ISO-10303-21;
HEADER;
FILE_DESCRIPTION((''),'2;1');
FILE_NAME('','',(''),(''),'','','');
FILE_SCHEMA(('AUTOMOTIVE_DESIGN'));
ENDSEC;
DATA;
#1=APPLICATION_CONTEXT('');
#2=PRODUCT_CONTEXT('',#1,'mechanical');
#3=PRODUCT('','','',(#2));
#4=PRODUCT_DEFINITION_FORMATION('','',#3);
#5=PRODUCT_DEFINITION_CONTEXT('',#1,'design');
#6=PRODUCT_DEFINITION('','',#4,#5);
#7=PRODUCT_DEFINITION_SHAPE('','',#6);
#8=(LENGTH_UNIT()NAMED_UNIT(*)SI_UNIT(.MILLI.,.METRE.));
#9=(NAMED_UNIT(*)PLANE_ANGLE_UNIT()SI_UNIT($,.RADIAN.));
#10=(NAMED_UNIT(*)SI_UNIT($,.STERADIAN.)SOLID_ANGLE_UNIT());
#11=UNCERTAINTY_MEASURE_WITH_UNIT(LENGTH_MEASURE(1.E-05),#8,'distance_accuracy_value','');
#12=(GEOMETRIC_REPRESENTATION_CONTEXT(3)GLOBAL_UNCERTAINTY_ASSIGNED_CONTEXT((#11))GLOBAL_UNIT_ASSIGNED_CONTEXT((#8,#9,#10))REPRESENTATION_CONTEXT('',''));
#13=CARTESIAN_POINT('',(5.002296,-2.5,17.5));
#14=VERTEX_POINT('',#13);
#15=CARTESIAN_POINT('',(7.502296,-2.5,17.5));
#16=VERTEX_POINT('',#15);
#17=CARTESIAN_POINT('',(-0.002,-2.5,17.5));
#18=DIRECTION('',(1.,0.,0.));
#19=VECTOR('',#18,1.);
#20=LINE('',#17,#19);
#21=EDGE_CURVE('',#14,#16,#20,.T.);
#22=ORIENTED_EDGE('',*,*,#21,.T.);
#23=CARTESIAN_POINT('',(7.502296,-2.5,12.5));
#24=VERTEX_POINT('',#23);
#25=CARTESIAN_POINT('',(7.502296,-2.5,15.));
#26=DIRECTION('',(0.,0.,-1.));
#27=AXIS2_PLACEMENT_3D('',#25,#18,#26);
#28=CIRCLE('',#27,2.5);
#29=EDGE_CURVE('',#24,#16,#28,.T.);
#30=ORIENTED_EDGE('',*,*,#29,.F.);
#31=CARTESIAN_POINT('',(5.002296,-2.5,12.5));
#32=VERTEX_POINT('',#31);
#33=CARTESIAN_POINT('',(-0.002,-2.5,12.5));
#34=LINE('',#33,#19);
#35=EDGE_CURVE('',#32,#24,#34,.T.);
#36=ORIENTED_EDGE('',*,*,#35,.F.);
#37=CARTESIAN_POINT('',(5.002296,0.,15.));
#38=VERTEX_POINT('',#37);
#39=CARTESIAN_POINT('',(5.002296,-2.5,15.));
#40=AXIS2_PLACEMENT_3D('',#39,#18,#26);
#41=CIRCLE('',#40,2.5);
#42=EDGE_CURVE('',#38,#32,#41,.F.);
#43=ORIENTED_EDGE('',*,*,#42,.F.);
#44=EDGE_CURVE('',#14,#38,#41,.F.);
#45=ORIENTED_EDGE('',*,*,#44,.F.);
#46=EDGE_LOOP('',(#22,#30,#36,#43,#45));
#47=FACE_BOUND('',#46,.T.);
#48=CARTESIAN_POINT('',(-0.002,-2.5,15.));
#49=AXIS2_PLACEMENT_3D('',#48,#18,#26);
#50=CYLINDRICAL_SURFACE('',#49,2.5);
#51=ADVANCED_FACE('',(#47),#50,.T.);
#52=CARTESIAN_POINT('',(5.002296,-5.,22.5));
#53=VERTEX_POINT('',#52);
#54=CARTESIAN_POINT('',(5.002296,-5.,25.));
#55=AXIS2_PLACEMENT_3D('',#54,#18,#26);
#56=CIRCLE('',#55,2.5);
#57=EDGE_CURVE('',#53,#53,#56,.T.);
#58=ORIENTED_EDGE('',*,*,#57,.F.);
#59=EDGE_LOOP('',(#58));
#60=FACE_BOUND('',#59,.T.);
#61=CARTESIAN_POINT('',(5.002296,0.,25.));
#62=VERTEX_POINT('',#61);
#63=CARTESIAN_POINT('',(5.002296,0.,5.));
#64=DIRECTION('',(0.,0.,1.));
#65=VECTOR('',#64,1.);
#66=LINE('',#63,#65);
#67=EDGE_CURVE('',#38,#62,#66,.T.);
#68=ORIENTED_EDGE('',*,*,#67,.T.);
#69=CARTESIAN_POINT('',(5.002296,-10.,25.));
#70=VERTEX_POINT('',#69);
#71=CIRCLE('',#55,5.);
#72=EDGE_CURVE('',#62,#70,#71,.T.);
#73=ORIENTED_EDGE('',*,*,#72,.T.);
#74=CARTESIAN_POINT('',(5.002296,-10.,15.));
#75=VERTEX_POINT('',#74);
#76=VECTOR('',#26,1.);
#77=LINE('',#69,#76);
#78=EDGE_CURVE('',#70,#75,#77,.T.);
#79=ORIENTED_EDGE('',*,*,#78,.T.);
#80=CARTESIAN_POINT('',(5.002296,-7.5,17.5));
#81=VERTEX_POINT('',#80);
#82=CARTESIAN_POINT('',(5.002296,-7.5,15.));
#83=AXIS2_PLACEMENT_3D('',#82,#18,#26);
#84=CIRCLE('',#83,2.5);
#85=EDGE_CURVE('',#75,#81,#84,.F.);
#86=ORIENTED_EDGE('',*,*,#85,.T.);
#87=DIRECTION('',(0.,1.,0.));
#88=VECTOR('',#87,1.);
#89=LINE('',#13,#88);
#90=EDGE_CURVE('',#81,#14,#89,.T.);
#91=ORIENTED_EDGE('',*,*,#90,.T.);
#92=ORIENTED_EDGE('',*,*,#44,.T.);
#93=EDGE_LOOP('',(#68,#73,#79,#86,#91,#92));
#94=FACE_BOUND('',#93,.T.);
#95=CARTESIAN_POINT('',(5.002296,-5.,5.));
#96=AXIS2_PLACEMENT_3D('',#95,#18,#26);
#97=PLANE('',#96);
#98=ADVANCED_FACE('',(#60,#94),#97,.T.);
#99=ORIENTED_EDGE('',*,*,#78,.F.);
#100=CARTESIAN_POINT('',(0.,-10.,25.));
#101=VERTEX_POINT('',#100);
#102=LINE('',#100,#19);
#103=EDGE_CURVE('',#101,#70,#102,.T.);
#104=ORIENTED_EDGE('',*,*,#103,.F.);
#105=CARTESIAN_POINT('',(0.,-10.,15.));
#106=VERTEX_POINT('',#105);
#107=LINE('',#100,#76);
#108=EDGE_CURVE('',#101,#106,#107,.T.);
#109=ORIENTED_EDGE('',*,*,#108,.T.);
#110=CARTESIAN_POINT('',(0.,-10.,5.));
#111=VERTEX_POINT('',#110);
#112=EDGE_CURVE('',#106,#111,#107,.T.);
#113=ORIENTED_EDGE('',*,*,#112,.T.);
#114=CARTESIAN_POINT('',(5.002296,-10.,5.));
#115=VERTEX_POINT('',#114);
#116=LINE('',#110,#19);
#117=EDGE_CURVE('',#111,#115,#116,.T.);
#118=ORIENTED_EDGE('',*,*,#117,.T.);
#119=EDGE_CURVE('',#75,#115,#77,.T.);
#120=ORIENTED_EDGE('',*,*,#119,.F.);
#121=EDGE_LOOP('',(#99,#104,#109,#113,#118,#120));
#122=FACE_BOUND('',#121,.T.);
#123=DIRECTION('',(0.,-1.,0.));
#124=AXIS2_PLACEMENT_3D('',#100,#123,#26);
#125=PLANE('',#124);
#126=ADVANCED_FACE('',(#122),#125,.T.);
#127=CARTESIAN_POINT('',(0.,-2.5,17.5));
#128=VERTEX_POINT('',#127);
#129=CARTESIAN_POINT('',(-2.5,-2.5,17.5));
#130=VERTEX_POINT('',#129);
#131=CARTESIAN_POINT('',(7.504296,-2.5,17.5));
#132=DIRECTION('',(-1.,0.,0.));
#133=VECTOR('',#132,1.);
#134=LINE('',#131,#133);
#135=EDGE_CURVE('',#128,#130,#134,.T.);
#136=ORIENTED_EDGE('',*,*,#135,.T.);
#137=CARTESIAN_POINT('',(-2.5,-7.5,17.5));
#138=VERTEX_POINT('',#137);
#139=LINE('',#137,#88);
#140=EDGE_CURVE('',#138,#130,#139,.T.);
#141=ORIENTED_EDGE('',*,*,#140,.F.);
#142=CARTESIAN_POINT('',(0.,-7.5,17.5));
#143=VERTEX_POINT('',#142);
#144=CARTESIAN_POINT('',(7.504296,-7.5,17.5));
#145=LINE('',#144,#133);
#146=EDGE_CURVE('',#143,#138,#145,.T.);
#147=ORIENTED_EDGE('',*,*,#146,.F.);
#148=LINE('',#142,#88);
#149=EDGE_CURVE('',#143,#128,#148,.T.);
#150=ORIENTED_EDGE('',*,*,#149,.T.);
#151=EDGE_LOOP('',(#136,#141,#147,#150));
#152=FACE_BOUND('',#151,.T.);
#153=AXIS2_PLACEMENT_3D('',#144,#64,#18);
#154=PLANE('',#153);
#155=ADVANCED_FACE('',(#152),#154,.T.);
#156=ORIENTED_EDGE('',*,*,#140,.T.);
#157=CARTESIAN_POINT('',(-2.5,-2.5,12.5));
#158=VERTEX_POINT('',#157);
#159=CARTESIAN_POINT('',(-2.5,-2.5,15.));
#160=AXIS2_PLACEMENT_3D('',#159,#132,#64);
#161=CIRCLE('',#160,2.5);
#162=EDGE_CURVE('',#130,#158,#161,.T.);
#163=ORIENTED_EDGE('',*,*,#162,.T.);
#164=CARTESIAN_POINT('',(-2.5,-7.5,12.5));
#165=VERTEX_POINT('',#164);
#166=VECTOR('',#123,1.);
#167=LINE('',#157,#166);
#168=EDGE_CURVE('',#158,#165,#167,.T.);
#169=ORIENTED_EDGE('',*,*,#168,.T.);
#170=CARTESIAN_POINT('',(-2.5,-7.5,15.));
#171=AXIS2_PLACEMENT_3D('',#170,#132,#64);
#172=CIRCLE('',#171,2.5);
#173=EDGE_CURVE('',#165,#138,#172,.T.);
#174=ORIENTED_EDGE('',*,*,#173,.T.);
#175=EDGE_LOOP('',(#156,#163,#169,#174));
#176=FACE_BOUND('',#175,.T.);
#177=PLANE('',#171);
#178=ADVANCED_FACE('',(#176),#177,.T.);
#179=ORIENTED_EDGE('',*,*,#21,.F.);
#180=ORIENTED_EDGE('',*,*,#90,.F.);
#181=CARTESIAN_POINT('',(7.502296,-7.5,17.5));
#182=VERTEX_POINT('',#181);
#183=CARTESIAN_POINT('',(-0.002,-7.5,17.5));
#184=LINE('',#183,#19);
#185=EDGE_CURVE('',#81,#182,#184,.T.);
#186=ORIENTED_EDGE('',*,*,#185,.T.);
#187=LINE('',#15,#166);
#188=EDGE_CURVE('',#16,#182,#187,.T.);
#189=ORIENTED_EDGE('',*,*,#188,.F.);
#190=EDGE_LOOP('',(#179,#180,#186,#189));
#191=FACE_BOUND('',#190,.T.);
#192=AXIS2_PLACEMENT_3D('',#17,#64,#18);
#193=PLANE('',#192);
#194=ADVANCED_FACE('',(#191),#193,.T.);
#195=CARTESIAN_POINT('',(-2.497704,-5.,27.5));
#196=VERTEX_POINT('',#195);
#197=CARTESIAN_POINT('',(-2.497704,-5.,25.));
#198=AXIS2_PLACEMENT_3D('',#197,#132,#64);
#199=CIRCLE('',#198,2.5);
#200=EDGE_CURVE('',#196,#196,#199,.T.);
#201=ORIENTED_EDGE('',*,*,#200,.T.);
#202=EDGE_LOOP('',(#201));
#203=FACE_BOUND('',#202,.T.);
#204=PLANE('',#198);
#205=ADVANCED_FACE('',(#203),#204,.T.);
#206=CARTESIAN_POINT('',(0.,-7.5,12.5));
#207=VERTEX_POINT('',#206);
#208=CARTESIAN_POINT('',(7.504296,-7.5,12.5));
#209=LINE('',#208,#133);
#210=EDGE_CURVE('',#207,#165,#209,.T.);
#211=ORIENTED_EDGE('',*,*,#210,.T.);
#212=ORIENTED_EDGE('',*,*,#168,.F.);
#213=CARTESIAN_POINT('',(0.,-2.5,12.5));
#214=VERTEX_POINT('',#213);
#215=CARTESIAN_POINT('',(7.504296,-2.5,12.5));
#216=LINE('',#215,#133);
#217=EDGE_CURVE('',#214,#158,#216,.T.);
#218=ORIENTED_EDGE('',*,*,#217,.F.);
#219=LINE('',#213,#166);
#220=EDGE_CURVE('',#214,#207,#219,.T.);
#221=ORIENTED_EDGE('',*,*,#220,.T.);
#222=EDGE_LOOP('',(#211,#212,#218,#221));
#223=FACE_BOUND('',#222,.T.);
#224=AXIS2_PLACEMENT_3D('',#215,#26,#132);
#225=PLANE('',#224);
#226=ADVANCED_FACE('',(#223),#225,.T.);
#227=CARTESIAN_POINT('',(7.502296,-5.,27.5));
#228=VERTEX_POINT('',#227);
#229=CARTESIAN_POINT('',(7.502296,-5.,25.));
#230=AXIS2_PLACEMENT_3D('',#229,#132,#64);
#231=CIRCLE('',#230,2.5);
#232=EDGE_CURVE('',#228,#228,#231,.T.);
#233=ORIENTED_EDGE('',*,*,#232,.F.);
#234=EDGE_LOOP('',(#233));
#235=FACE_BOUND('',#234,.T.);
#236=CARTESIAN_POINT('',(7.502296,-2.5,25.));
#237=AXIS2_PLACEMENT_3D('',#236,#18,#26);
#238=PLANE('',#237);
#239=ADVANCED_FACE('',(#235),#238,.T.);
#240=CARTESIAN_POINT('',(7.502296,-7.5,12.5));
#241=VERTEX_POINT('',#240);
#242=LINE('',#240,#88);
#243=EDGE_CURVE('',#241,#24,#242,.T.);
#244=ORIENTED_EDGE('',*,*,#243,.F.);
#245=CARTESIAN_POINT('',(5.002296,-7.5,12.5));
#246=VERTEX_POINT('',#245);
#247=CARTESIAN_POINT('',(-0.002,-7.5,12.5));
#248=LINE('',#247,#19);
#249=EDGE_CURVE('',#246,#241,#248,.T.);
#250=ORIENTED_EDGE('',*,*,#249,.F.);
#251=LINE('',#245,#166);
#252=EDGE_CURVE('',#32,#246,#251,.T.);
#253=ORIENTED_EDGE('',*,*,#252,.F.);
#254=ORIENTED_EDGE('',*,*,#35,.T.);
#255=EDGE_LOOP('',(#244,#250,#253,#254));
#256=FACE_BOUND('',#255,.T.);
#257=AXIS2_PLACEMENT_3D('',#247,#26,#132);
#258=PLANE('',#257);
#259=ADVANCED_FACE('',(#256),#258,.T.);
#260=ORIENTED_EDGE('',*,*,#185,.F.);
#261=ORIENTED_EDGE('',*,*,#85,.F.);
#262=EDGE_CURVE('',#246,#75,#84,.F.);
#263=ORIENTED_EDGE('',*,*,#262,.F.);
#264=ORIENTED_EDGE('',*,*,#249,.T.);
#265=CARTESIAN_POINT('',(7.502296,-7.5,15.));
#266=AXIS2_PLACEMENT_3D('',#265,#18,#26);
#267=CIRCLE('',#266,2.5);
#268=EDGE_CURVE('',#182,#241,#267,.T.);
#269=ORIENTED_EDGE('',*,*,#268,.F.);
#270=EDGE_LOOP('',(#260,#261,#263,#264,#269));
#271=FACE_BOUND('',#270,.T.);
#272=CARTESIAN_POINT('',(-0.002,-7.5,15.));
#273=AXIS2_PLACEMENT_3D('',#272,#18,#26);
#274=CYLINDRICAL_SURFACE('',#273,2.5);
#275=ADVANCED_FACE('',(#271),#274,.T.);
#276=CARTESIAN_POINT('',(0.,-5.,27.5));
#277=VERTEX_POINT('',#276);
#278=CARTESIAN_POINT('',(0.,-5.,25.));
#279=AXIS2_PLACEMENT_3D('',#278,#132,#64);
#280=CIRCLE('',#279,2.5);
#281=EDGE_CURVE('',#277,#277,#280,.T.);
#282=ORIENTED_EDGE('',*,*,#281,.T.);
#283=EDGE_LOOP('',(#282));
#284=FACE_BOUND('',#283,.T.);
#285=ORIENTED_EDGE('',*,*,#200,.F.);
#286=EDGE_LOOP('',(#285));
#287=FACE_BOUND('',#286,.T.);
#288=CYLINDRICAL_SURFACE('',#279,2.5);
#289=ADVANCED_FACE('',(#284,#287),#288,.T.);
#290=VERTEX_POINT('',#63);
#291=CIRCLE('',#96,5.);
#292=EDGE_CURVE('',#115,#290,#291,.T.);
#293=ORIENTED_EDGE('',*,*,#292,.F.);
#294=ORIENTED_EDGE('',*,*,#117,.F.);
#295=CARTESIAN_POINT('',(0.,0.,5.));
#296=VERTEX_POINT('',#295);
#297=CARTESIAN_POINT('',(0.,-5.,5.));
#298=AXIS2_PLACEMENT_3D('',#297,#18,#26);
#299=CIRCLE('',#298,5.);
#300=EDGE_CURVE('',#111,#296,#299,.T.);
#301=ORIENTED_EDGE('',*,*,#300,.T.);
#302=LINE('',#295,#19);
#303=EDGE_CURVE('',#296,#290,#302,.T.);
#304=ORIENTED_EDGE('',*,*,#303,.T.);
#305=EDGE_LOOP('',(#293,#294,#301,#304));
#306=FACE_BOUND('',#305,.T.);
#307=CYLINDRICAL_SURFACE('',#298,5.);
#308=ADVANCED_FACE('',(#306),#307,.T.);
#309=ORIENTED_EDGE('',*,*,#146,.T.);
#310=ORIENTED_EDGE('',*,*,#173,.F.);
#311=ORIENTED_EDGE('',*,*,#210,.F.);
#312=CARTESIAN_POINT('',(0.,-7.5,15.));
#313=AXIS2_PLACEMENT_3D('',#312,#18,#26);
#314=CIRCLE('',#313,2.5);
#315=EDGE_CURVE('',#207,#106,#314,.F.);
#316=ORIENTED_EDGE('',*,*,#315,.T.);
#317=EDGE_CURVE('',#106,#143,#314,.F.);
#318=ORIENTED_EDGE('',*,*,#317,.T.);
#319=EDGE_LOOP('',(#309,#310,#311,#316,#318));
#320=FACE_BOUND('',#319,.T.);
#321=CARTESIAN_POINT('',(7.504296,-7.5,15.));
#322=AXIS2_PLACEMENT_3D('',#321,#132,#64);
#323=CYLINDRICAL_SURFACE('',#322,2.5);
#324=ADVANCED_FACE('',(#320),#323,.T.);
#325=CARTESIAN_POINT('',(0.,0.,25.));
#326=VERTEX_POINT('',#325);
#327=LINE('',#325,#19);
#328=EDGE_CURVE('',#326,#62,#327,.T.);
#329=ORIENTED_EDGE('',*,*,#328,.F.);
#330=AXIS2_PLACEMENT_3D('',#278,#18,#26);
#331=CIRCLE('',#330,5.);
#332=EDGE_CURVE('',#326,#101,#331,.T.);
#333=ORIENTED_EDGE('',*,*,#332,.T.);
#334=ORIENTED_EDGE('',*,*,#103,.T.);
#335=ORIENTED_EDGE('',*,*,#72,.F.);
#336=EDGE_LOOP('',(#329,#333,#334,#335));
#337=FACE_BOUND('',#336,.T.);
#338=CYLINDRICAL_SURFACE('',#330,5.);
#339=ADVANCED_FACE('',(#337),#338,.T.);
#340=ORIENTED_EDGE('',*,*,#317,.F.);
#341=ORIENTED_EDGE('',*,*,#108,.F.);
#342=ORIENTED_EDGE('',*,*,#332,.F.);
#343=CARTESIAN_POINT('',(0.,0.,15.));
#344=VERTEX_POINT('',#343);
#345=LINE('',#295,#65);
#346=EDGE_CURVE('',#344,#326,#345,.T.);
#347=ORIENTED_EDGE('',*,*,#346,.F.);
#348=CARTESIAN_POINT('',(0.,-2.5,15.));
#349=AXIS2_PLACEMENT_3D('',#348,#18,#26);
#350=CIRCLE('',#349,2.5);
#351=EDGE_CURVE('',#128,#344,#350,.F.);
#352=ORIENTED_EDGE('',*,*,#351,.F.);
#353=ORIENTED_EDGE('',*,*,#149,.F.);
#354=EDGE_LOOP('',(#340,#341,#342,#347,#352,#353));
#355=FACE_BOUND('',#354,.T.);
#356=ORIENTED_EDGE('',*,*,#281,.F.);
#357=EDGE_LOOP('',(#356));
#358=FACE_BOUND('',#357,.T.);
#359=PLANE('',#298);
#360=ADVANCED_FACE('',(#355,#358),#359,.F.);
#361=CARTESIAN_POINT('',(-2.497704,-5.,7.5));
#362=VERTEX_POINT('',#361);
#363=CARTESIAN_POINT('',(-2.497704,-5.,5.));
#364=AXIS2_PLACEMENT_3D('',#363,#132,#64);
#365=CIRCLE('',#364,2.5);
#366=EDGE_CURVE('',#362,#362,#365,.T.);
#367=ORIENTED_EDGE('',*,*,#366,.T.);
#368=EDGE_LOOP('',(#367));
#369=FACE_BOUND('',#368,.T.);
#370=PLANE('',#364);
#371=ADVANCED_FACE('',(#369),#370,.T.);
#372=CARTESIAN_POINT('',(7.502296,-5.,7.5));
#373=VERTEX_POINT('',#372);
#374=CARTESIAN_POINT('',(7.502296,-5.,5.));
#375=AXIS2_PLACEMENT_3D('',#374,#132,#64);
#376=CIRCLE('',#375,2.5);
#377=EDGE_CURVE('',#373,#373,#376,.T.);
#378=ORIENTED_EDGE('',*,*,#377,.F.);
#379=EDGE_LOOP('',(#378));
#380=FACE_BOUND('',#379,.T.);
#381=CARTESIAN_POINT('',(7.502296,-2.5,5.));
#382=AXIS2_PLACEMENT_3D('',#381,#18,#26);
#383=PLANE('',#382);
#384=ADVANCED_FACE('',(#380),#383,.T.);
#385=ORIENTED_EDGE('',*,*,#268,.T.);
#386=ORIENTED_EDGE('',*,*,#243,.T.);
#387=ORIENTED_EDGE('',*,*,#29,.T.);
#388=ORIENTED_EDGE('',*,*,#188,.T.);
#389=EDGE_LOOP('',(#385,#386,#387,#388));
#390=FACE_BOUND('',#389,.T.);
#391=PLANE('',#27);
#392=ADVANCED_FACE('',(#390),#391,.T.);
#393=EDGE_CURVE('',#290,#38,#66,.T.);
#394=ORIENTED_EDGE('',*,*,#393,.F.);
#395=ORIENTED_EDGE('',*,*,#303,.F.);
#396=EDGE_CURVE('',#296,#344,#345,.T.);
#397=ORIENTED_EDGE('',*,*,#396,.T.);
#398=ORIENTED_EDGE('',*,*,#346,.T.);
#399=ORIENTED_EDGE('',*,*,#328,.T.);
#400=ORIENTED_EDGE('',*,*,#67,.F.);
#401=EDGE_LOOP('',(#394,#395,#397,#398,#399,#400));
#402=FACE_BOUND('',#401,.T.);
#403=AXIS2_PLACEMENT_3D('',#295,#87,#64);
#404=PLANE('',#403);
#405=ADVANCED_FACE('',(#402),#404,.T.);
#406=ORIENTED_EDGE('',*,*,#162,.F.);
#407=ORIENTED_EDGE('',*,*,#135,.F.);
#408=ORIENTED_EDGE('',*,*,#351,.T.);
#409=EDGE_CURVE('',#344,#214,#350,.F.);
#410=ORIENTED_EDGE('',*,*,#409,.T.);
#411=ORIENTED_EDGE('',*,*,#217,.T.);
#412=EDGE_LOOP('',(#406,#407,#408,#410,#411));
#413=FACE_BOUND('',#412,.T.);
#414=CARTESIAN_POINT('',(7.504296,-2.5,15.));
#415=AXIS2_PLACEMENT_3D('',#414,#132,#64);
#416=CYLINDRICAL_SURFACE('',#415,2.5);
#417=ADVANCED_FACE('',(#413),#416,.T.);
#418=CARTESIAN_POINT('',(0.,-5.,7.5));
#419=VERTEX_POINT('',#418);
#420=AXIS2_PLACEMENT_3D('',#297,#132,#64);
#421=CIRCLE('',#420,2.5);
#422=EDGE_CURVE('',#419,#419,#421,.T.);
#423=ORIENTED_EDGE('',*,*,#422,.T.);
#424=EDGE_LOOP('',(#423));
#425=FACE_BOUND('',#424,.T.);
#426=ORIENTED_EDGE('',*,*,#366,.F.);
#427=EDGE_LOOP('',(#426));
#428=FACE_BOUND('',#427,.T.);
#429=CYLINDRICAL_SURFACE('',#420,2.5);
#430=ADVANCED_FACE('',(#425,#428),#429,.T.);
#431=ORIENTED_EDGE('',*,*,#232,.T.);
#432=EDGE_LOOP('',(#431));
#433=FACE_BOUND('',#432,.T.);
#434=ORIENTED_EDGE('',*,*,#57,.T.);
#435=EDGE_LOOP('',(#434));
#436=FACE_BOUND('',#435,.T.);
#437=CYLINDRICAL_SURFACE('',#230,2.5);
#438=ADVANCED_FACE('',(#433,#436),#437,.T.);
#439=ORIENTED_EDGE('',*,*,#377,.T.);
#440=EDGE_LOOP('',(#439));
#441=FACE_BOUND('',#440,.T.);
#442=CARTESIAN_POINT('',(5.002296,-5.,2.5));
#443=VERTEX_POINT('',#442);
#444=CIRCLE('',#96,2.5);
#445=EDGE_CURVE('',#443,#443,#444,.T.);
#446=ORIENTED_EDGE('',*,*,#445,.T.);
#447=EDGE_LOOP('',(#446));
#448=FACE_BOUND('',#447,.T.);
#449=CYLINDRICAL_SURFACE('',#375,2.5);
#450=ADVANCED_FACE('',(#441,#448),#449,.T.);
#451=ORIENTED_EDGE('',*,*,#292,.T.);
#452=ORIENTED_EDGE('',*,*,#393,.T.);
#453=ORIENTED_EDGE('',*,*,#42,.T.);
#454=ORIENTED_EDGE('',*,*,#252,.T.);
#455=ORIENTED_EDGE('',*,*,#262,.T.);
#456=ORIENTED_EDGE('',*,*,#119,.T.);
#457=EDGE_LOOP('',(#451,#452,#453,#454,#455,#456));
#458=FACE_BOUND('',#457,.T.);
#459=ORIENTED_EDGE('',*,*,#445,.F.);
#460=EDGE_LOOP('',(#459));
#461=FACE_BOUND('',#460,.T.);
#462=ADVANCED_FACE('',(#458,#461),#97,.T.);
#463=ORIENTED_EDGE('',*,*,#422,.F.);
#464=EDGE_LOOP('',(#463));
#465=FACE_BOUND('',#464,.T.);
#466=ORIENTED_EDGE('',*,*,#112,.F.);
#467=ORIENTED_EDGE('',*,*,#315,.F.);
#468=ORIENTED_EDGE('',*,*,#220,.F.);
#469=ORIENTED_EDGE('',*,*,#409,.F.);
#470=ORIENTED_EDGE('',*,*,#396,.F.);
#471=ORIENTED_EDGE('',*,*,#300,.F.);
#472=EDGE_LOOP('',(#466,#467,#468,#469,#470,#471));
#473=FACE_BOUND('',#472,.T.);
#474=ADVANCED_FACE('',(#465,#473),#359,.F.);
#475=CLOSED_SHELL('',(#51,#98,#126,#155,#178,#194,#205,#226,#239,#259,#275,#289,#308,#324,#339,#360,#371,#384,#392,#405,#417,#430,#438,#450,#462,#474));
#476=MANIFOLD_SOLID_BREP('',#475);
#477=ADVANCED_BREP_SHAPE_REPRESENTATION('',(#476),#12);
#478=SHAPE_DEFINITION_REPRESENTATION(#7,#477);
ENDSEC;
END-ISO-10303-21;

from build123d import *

# Parameters (mm, degrees)
BOSS_EXTRUDE1_DEPTH = 5.002296298
BOSS_EXTRUDE2_REACH = 34.501
BOSS_EXTRUDE3_REACH = 35.167
SKETCH4_W           = 2.497703702
SKETCH4_H           = 2.5
SKETCH5_W           = 2.5
SKETCH5_H           = 2.5
SKETCH6_W           = 2.5
SKETCH6_H           = 2.5
SKETCH7_W           = 2.497703702
SKETCH7_H           = 2.5


with BuildPart() as part:
    # Sketch1 → Boss-Extrude1 (new body)
    with BuildSketch(Plane(origin=(5.002296298, 0, 0), x_dir=(0, 0, -1), z_dir=(1, 0, 0))):
        with BuildLine():
            Line((-5, 0), (-25, 0))
            ThreePointArc((-25, 0), (-30, -5), (-25, -10))
            Line((-25, -10), (-5, -10))
            ThreePointArc((-5, -10), (0, -5), (-5, 0))
        make_face()
    extrude(amount=-BOSS_EXTRUDE1_DEPTH)

    # Sketch2 → Boss-Extrude2 (add, up to next)
    with BuildSketch(Plane(origin=(7.502296298, 0, 0), x_dir=(0, 0, -1), z_dir=(1, 0, 0)), mode=Mode.PRIVATE) as boss_extrude2_sk1:
        with BuildLine():
            Line((-17.5, -2.5), (-17.5, -7.5))
            ThreePointArc((-17.5, -7.5), (-15, -10), (-12.5, -7.5))
            Line((-12.5, -7.5), (-12.5, -2.5))
            ThreePointArc((-12.5, -2.5), (-15, 0), (-17.5, -2.5))
        make_face()
    boss_extrude2_tool1 = extrude(boss_extrude2_sk1.sketch, amount=-BOSS_EXTRUDE2_REACH, mode=Mode.PRIVATE) - part.part
    add(boss_extrude2_tool1.solids().sort_by_distance((7.502296, -5, 15))[0])

    # Sketch3 → Boss-Extrude3 (add, up to next)
    with BuildSketch(Plane(origin=(-2.5, 0, 0), x_dir=(0, -1, 0), z_dir=(-1, 0, 0)), mode=Mode.PRIVATE) as boss_extrude3_sk1:
        with BuildLine():
            Line((7.5, 17.5), (2.5, 17.5))
            ThreePointArc((2.5, 17.5), (0, 15), (2.5, 12.5))
            Line((2.5, 12.5), (7.5, 12.5))
            ThreePointArc((7.5, 12.5), (10, 15), (7.5, 17.5))
        make_face()
    boss_extrude3_tool1 = extrude(boss_extrude3_sk1.sketch, amount=-BOSS_EXTRUDE3_REACH, mode=Mode.PRIVATE) - part.part
    add(boss_extrude3_tool1.solids().sort_by_distance((-2.5, -5, 15))[0])

    # Sketch4 → Revolve1 (revolve)
    with BuildSketch(Plane(origin=(0, 0, 5), x_dir=(-1, 0, 0), z_dir=(0, 0, -1)), mode=Mode.PRIVATE) as revolve1_sk:
        with Locations((1.248851851, -3.75)):
            Rectangle(SKETCH4_W, SKETCH4_H)
    revolve(revolve1_sk.sketch.rotate(Axis((0, -5, 5), (-1, 0, 0)), 270), axis=Axis((0, -5, 5), (-1, 0, 0)))

    # Sketch5 → Revolve2 (revolve)
    with BuildSketch(Plane(origin=(0, 0, 5), x_dir=(-1, 0, 0), z_dir=(0, 0, -1)), mode=Mode.PRIVATE) as revolve2_sk:
        with Locations((-6.252296298, -3.75)):
            Rectangle(SKETCH5_W, SKETCH5_H)
    revolve(revolve2_sk.sketch.rotate(Axis((7.502296298, -5, 5), (-1, 0, 0)), 270), axis=Axis((7.502296298, -5, 5), (-1, 0, 0)))

    # Sketch6 → Revolve3 (revolve)
    with BuildSketch(Plane(origin=(0, 0, 25), x_dir=(-1, 0, 0), z_dir=(0, 0, -1)), mode=Mode.PRIVATE) as revolve3_sk:
        with Locations((-6.252296298, -3.75)):
            Rectangle(SKETCH6_W, SKETCH6_H)
    revolve(revolve3_sk.sketch.rotate(Axis((7.502296298, -5, 25), (-1, 0, 0)), 270), axis=Axis((7.502296298, -5, 25), (-1, 0, 0)))

    # Sketch7 → Revolve4 (revolve)
    with BuildSketch(Plane(origin=(0, 0, 25), x_dir=(-1, 0, 0), z_dir=(0, 0, -1)), mode=Mode.PRIVATE) as revolve4_sk:
        with Locations((1.248851851, -3.75)):
            Rectangle(SKETCH7_W, SKETCH7_H)
    revolve(revolve4_sk.sketch.rotate(Axis((0, -5, 25), (-1, 0, 0)), 270), axis=Axis((0, -5, 25), (-1, 0, 0)))


solid = part.part
